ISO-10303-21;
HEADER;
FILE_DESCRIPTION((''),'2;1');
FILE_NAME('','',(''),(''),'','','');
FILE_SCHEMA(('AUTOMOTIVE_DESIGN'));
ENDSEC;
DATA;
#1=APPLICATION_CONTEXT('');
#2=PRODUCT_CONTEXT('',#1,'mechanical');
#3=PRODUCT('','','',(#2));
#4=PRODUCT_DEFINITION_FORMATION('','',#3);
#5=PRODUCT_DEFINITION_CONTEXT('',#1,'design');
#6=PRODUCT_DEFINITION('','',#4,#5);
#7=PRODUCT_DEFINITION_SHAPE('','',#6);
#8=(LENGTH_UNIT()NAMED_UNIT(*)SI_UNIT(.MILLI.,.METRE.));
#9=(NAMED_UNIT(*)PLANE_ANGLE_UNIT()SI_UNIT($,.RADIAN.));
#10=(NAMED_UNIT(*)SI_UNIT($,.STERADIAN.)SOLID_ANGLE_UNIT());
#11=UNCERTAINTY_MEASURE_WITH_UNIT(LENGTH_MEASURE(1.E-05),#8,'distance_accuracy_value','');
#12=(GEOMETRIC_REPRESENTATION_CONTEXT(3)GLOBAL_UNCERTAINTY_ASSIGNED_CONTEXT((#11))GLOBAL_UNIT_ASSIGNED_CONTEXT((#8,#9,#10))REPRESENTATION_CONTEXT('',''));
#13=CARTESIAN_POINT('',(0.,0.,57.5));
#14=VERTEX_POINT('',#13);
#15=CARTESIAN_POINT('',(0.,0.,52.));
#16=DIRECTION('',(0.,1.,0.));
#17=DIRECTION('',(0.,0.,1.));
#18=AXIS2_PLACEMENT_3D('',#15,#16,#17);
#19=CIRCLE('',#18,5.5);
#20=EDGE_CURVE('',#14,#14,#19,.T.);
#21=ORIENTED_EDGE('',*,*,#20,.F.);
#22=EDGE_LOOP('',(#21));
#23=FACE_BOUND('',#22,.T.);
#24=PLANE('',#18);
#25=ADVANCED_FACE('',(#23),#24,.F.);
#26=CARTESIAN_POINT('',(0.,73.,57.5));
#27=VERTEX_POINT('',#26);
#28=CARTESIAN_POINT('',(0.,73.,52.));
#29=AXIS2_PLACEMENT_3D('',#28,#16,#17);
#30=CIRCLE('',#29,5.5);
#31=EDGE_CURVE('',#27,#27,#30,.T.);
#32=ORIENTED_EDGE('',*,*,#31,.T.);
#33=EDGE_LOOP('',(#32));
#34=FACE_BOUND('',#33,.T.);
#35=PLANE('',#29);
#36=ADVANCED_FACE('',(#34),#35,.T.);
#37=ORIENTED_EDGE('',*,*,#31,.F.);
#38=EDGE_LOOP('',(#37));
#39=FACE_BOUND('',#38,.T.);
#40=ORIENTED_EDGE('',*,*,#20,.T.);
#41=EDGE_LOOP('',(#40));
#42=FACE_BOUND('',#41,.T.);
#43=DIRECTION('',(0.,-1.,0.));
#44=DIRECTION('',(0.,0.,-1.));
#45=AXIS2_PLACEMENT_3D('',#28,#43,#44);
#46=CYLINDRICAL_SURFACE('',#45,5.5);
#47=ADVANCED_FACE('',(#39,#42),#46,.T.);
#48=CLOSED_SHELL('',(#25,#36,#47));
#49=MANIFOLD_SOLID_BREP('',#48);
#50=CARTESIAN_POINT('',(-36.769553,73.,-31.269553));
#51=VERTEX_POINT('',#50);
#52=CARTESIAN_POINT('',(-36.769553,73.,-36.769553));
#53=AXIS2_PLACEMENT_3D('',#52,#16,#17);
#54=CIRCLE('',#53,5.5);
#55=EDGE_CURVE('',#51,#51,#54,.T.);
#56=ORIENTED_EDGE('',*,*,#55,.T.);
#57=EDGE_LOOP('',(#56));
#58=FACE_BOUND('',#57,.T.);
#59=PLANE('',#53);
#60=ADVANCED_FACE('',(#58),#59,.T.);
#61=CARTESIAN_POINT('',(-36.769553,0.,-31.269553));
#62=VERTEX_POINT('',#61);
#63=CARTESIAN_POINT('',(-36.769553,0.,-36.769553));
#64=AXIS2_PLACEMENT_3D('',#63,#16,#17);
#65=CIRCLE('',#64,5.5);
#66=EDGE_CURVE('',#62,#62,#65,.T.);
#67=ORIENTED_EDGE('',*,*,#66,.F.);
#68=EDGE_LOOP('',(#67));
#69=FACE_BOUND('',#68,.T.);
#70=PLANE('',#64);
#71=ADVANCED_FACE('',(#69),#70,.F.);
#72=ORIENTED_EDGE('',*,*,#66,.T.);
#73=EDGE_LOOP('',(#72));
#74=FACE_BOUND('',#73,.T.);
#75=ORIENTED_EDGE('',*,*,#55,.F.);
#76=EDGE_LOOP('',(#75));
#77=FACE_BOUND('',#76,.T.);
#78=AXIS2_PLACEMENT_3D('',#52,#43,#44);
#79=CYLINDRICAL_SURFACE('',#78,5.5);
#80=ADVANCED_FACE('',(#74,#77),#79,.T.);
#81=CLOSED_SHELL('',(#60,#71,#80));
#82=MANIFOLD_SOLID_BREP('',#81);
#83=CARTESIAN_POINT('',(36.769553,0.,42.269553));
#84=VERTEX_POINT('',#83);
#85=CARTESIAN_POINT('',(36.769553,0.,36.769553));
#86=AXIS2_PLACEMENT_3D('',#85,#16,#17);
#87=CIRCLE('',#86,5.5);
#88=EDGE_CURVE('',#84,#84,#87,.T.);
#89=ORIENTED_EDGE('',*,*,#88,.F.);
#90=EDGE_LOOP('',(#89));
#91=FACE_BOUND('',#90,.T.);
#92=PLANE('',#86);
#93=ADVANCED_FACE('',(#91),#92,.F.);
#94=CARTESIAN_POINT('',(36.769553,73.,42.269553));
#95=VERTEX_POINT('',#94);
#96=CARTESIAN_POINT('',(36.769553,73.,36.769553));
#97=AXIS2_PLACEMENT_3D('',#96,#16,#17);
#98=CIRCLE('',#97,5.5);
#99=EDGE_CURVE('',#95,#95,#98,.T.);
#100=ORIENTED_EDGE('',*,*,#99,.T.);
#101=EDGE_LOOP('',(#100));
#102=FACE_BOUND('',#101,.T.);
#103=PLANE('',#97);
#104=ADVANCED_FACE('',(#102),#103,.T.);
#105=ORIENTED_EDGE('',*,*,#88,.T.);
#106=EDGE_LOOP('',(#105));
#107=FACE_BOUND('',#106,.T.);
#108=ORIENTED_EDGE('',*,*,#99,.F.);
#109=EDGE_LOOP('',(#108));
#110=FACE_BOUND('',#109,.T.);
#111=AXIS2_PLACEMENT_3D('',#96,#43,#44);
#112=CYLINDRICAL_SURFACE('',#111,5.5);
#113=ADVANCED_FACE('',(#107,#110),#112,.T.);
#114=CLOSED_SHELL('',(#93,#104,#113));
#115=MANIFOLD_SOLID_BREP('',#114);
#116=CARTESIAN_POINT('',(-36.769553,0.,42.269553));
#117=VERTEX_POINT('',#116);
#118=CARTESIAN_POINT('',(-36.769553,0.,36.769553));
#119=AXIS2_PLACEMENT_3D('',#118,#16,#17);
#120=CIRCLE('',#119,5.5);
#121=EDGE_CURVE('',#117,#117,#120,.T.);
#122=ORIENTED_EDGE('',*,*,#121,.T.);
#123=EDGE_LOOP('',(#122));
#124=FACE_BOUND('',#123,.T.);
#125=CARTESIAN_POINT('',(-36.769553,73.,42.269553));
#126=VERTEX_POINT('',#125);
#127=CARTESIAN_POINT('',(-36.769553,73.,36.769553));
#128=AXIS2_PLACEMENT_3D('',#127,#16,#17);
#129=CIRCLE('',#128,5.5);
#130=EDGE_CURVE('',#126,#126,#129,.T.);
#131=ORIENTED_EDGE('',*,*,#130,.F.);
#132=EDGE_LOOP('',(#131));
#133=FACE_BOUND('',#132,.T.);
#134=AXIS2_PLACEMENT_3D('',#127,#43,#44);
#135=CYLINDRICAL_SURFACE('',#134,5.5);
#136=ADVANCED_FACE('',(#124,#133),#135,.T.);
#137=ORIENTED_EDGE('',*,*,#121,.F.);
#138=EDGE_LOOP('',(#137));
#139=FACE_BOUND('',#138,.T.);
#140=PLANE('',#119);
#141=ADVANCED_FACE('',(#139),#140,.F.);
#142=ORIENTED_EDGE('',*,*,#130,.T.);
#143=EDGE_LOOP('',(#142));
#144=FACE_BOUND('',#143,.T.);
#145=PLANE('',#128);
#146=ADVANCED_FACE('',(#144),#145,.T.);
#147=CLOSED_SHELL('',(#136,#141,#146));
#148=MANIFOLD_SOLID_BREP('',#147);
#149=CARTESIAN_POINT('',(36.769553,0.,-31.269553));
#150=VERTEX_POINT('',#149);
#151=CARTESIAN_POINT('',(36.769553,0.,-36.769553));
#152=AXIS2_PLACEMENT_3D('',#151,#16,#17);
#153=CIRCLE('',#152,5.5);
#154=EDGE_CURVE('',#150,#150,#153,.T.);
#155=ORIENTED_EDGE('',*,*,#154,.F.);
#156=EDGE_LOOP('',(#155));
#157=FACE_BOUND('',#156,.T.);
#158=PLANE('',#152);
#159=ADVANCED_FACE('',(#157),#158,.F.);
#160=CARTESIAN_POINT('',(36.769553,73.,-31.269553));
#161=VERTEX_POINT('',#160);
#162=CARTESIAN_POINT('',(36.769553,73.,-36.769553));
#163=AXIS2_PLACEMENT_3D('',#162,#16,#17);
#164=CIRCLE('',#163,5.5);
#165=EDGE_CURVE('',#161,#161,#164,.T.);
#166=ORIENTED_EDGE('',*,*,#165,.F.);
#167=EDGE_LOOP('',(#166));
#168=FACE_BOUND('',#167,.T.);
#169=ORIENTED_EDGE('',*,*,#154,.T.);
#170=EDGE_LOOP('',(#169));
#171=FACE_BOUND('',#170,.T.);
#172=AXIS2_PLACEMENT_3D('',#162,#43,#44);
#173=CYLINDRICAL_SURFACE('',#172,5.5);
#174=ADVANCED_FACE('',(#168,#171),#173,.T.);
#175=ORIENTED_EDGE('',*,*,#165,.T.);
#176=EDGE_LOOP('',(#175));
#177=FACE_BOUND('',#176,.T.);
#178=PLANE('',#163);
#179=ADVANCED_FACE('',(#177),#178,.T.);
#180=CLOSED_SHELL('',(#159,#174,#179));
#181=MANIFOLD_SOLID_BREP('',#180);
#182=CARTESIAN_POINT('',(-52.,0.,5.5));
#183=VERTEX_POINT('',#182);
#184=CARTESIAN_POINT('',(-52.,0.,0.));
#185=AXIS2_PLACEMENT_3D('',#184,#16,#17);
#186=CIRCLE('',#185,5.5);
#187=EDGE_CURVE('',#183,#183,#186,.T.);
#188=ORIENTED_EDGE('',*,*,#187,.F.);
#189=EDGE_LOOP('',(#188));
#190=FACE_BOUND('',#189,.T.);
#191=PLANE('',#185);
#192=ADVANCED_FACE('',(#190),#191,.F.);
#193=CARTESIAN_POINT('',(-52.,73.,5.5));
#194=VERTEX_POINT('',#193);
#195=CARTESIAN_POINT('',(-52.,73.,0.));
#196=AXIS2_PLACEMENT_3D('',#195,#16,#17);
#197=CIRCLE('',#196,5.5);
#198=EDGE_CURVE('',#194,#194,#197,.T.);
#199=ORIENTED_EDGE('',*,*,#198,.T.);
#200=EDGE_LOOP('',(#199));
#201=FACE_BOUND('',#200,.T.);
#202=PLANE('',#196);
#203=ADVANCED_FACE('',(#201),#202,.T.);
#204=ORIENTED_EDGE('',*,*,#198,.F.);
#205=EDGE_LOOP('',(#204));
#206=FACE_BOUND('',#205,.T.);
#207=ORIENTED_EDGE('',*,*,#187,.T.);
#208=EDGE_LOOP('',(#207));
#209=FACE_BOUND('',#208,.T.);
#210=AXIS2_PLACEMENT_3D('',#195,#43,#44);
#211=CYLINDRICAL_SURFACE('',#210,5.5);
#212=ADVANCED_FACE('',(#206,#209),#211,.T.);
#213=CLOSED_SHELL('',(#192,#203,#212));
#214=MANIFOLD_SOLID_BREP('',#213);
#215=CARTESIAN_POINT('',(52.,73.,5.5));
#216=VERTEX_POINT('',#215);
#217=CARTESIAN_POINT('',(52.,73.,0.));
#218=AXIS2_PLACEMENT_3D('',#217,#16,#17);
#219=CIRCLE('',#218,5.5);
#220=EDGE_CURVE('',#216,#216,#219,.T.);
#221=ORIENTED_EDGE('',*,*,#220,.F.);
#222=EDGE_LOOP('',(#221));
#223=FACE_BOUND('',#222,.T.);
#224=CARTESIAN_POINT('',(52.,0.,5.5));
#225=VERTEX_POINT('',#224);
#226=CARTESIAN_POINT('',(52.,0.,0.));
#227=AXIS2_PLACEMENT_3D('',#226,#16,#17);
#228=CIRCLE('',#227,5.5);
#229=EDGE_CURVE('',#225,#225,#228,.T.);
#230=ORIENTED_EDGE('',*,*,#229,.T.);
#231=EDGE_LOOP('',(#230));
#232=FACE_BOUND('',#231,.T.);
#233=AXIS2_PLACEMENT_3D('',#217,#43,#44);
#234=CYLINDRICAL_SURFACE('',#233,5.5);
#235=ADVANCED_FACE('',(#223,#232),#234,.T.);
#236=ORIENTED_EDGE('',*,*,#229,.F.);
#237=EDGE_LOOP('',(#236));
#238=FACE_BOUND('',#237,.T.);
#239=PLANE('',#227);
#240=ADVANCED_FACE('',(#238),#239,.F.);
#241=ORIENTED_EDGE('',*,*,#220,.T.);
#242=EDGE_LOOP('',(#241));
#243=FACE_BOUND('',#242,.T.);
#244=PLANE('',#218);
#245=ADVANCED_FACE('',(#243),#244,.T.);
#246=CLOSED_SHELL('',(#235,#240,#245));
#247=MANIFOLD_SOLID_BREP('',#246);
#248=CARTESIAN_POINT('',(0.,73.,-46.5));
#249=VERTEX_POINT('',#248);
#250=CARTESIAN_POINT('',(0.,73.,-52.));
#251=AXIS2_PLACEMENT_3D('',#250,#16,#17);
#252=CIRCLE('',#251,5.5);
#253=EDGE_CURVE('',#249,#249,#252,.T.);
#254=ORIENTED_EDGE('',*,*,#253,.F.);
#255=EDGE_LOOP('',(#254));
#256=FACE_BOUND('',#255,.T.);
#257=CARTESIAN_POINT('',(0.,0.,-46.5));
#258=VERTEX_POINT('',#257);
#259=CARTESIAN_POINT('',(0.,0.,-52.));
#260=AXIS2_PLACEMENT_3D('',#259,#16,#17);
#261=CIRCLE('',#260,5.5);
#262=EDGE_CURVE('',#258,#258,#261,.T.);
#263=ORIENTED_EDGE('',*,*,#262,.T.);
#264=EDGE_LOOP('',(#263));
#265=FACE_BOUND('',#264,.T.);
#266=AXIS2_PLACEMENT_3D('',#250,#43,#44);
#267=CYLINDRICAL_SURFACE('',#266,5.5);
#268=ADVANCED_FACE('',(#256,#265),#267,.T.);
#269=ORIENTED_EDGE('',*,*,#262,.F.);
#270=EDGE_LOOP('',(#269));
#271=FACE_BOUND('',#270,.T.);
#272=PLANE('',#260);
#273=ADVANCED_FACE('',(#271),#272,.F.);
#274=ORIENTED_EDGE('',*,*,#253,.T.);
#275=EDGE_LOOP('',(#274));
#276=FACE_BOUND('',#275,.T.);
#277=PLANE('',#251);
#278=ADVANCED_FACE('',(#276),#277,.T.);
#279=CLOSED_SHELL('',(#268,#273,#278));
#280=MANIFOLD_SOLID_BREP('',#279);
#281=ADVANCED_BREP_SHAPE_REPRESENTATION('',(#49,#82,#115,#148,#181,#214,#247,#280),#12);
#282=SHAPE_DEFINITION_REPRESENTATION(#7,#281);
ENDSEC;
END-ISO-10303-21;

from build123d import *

# Parameters (mm, degrees)
SKETCH1_R             = 5.5
BOSS_EXTRUDE1_DEPTH   = 73
BOSS_EXTRUDE1_2_DEPTH = 73
BOSS_EXTRUDE1_3_DEPTH = 73
BOSS_EXTRUDE1_4_DEPTH = 73
BOSS_EXTRUDE1_5_DEPTH = 73
BOSS_EXTRUDE1_6_DEPTH = 73
BOSS_EXTRUDE1_7_DEPTH = 73
BOSS_EXTRUDE1_8_DEPTH = 73


with BuildPart() as part:
    # Sketch1 → Boss-Extrude1 (new body)
    with BuildSketch(Plane(origin=(0, 0, 0), x_dir=(1, 0, 0), z_dir=(0, 1, 0))):
        with Locations((-52, 0)):
            Circle(SKETCH1_R)
    extrude(amount=BOSS_EXTRUDE1_DEPTH)


with BuildPart() as body_2:
    # Sketch1 → Boss-Extrude1 2 (new body)
    with BuildSketch(Plane(origin=(0, 0, 0), x_dir=(1, 0, 0), z_dir=(0, 1, 0))):
        with Locations((-36.769552622, 36.769552622)):
            Circle(SKETCH1_R)
    extrude(amount=BOSS_EXTRUDE1_2_DEPTH)


with BuildPart() as body_3:
    # Sketch1 → Boss-Extrude1 3 (new body)
    with BuildSketch(Plane(origin=(0, 0, 0), x_dir=(1, 0, 0), z_dir=(0, 1, 0))):
        with Locations((0, 52)):
            Circle(SKETCH1_R)
    extrude(amount=BOSS_EXTRUDE1_3_DEPTH)


with BuildPart() as body_4:
    # Sketch1 → Boss-Extrude1 4 (new body)
    with BuildSketch(Plane(origin=(0, 0, 0), x_dir=(1, 0, 0), z_dir=(0, 1, 0))):
        with Locations((36.769552622, 36.769552622)):
            Circle(SKETCH1_R)
    extrude(amount=BOSS_EXTRUDE1_4_DEPTH)


with BuildPart() as body_5:
    # Sketch1 → Boss-Extrude1 5 (new body)
    with BuildSketch(Plane(origin=(0, 0, 0), x_dir=(1, 0, 0), z_dir=(0, 1, 0))):
        with Locations((52, 0)):
            Circle(SKETCH1_R)
    extrude(amount=BOSS_EXTRUDE1_5_DEPTH)


with BuildPart() as body_6:
    # Sketch1 → Boss-Extrude1 6 (new body)
    with BuildSketch(Plane(origin=(0, 0, 0), x_dir=(1, 0, 0), z_dir=(0, 1, 0))):
        with Locations((36.769552622, -36.769552622)):
            Circle(SKETCH1_R)
    extrude(amount=BOSS_EXTRUDE1_6_DEPTH)


with BuildPart() as body_7:
    # Sketch1 → Boss-Extrude1 7 (new body)
    with BuildSketch(Plane(origin=(0, 0, 0), x_dir=(1, 0, 0), z_dir=(0, 1, 0))):
        with Locations((0, -52)):
            Circle(SKETCH1_R)
    extrude(amount=BOSS_EXTRUDE1_7_DEPTH)


with BuildPart() as body_8:
    # Sketch1 → Boss-Extrude1 8 (new body)
    with BuildSketch(Plane(origin=(0, 0, 0), x_dir=(1, 0, 0), z_dir=(0, 1, 0))):
        with Locations((-36.769552622, -36.769552622)):
            Circle(SKETCH1_R)
    extrude(amount=BOSS_EXTRUDE1_8_DEPTH)


solid = Compound([part.part, body_2.part, body_3.part, body_4.part, body_5.part, body_6.part, body_7.part, body_8.part])
